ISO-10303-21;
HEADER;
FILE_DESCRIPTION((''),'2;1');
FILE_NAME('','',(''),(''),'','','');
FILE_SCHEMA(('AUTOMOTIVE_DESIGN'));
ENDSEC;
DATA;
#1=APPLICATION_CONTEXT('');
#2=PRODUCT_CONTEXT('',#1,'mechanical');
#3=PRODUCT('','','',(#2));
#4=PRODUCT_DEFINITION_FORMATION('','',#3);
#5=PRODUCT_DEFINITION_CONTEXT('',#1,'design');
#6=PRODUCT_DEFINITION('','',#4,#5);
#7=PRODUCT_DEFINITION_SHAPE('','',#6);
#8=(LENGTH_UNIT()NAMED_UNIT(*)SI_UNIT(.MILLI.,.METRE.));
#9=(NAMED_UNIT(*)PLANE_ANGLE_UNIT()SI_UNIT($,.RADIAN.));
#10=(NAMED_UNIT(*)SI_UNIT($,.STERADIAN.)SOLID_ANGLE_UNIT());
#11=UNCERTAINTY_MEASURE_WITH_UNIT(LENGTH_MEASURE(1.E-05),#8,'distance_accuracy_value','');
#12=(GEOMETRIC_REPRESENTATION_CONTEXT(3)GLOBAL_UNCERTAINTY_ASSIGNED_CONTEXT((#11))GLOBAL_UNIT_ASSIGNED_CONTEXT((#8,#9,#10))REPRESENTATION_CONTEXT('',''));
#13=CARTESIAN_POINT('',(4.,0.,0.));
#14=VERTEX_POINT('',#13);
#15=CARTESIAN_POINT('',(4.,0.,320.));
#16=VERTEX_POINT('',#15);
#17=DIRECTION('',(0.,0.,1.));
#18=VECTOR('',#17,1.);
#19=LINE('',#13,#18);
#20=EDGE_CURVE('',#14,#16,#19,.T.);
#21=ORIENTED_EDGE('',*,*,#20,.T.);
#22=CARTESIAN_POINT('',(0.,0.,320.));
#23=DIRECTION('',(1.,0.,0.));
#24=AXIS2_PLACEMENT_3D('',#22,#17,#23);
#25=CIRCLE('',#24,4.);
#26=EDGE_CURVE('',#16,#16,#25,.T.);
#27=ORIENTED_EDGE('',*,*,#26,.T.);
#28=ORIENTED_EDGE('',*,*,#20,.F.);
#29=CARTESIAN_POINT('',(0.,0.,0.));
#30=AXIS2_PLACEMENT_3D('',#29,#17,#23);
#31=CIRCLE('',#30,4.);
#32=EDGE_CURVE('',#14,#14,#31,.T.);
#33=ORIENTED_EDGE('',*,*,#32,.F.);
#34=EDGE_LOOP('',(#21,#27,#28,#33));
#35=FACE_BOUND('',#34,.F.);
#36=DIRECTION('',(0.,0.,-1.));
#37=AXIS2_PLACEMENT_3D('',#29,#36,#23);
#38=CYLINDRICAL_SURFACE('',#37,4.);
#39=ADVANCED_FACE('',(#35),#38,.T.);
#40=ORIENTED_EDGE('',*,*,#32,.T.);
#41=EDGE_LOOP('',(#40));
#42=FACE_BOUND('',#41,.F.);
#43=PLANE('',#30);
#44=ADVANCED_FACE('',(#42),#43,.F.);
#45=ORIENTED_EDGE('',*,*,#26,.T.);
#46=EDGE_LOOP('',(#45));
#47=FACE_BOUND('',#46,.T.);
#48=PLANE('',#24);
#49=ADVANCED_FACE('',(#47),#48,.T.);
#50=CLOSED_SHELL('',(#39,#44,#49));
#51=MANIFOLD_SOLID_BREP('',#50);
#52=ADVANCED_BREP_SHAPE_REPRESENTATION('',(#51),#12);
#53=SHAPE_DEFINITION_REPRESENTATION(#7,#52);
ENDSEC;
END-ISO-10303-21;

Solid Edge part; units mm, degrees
sketch "Sketch1" plane through (0, 0, 0) normal (0, 0, 1) x (1, 0, 0)
  circle A0 centre (0, 0) radius 4
extrude "Protrusion1" add sketch "Sketch1" along normal blind 320
